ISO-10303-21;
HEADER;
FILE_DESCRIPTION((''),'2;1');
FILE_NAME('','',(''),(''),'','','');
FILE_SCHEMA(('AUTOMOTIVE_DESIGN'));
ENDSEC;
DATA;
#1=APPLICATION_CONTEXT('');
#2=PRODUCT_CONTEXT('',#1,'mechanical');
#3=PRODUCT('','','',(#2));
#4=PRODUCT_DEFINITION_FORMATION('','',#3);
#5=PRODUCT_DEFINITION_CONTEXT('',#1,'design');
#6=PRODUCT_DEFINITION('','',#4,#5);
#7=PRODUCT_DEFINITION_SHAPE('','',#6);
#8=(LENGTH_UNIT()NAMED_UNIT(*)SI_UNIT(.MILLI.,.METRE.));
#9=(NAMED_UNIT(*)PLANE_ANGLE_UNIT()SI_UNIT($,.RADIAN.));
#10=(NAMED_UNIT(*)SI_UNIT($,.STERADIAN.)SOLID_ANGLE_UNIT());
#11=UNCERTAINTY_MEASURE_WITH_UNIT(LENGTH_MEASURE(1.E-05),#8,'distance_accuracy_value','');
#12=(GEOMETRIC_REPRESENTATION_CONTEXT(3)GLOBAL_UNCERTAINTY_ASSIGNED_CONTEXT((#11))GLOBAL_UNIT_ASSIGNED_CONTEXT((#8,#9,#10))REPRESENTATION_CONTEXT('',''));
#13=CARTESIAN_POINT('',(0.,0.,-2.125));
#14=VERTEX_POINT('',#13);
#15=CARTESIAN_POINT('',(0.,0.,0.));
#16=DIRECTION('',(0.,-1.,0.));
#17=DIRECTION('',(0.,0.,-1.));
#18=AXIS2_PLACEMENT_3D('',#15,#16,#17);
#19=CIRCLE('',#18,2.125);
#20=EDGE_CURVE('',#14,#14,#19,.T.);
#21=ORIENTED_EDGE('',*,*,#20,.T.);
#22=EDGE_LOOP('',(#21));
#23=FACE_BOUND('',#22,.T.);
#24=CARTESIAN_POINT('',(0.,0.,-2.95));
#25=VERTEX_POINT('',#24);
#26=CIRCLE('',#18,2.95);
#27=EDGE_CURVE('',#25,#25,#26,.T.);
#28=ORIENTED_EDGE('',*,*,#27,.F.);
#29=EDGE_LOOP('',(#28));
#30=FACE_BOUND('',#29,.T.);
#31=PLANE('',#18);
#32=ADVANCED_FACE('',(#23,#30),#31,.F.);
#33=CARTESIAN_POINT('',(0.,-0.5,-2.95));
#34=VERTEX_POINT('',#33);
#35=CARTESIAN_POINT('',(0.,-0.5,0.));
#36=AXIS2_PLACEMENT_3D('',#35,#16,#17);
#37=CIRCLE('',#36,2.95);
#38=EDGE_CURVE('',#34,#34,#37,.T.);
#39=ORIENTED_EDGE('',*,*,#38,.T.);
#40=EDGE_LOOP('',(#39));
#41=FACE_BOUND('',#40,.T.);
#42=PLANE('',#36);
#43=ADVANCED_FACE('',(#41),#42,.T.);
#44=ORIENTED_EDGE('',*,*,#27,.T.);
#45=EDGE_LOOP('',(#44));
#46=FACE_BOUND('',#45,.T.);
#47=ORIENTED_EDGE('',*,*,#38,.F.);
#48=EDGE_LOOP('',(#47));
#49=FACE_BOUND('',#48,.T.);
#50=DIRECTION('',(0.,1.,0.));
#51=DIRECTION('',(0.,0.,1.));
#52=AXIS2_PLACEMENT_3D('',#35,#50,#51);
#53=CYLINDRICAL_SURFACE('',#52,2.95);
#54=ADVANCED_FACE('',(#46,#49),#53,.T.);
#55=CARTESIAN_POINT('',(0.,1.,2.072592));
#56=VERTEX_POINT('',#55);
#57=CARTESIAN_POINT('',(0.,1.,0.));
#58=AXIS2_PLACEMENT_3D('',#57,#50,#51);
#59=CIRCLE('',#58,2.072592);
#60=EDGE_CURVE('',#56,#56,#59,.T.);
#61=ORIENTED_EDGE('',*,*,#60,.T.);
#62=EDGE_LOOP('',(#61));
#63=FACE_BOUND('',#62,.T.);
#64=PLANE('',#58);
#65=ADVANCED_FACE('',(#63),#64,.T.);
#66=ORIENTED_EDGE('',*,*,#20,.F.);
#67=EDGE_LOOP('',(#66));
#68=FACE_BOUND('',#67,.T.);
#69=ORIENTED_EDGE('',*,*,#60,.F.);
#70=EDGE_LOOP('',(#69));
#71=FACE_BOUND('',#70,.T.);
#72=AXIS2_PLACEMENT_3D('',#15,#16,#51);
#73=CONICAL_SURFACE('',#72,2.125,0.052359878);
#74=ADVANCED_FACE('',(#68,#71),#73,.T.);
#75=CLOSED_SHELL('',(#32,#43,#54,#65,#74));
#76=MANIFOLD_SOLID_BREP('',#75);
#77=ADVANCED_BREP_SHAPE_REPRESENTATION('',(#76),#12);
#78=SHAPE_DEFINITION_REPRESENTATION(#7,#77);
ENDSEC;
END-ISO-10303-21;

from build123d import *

# Parameters (mm, degrees)
SKETCH1_R           = 2.125
BOSS_EXTRUDE1_DEPTH = 1
BOSS_EXTRUDE1_TAPER = 3
SKETCH2_R           = 2.95
BOSS_EXTRUDE2_DEPTH = 0.5


with BuildPart() as part:
    # Sketch1 → Boss-Extrude1 (new body)
    with BuildSketch(Plane(origin=(0, 0, 0), x_dir=(1, 0, 0), z_dir=(0, 1, 0))):
        Circle(SKETCH1_R)
    extrude(amount=BOSS_EXTRUDE1_DEPTH, taper=BOSS_EXTRUDE1_TAPER)

    # Sketch2 → Boss-Extrude2 (add)
    with BuildSketch(Plane.XZ):
        with Locations(Location((0, 0, 0), (0, 0, 270))):
            Circle(SKETCH2_R)
    extrude(amount=BOSS_EXTRUDE2_DEPTH)


solid = part.part
